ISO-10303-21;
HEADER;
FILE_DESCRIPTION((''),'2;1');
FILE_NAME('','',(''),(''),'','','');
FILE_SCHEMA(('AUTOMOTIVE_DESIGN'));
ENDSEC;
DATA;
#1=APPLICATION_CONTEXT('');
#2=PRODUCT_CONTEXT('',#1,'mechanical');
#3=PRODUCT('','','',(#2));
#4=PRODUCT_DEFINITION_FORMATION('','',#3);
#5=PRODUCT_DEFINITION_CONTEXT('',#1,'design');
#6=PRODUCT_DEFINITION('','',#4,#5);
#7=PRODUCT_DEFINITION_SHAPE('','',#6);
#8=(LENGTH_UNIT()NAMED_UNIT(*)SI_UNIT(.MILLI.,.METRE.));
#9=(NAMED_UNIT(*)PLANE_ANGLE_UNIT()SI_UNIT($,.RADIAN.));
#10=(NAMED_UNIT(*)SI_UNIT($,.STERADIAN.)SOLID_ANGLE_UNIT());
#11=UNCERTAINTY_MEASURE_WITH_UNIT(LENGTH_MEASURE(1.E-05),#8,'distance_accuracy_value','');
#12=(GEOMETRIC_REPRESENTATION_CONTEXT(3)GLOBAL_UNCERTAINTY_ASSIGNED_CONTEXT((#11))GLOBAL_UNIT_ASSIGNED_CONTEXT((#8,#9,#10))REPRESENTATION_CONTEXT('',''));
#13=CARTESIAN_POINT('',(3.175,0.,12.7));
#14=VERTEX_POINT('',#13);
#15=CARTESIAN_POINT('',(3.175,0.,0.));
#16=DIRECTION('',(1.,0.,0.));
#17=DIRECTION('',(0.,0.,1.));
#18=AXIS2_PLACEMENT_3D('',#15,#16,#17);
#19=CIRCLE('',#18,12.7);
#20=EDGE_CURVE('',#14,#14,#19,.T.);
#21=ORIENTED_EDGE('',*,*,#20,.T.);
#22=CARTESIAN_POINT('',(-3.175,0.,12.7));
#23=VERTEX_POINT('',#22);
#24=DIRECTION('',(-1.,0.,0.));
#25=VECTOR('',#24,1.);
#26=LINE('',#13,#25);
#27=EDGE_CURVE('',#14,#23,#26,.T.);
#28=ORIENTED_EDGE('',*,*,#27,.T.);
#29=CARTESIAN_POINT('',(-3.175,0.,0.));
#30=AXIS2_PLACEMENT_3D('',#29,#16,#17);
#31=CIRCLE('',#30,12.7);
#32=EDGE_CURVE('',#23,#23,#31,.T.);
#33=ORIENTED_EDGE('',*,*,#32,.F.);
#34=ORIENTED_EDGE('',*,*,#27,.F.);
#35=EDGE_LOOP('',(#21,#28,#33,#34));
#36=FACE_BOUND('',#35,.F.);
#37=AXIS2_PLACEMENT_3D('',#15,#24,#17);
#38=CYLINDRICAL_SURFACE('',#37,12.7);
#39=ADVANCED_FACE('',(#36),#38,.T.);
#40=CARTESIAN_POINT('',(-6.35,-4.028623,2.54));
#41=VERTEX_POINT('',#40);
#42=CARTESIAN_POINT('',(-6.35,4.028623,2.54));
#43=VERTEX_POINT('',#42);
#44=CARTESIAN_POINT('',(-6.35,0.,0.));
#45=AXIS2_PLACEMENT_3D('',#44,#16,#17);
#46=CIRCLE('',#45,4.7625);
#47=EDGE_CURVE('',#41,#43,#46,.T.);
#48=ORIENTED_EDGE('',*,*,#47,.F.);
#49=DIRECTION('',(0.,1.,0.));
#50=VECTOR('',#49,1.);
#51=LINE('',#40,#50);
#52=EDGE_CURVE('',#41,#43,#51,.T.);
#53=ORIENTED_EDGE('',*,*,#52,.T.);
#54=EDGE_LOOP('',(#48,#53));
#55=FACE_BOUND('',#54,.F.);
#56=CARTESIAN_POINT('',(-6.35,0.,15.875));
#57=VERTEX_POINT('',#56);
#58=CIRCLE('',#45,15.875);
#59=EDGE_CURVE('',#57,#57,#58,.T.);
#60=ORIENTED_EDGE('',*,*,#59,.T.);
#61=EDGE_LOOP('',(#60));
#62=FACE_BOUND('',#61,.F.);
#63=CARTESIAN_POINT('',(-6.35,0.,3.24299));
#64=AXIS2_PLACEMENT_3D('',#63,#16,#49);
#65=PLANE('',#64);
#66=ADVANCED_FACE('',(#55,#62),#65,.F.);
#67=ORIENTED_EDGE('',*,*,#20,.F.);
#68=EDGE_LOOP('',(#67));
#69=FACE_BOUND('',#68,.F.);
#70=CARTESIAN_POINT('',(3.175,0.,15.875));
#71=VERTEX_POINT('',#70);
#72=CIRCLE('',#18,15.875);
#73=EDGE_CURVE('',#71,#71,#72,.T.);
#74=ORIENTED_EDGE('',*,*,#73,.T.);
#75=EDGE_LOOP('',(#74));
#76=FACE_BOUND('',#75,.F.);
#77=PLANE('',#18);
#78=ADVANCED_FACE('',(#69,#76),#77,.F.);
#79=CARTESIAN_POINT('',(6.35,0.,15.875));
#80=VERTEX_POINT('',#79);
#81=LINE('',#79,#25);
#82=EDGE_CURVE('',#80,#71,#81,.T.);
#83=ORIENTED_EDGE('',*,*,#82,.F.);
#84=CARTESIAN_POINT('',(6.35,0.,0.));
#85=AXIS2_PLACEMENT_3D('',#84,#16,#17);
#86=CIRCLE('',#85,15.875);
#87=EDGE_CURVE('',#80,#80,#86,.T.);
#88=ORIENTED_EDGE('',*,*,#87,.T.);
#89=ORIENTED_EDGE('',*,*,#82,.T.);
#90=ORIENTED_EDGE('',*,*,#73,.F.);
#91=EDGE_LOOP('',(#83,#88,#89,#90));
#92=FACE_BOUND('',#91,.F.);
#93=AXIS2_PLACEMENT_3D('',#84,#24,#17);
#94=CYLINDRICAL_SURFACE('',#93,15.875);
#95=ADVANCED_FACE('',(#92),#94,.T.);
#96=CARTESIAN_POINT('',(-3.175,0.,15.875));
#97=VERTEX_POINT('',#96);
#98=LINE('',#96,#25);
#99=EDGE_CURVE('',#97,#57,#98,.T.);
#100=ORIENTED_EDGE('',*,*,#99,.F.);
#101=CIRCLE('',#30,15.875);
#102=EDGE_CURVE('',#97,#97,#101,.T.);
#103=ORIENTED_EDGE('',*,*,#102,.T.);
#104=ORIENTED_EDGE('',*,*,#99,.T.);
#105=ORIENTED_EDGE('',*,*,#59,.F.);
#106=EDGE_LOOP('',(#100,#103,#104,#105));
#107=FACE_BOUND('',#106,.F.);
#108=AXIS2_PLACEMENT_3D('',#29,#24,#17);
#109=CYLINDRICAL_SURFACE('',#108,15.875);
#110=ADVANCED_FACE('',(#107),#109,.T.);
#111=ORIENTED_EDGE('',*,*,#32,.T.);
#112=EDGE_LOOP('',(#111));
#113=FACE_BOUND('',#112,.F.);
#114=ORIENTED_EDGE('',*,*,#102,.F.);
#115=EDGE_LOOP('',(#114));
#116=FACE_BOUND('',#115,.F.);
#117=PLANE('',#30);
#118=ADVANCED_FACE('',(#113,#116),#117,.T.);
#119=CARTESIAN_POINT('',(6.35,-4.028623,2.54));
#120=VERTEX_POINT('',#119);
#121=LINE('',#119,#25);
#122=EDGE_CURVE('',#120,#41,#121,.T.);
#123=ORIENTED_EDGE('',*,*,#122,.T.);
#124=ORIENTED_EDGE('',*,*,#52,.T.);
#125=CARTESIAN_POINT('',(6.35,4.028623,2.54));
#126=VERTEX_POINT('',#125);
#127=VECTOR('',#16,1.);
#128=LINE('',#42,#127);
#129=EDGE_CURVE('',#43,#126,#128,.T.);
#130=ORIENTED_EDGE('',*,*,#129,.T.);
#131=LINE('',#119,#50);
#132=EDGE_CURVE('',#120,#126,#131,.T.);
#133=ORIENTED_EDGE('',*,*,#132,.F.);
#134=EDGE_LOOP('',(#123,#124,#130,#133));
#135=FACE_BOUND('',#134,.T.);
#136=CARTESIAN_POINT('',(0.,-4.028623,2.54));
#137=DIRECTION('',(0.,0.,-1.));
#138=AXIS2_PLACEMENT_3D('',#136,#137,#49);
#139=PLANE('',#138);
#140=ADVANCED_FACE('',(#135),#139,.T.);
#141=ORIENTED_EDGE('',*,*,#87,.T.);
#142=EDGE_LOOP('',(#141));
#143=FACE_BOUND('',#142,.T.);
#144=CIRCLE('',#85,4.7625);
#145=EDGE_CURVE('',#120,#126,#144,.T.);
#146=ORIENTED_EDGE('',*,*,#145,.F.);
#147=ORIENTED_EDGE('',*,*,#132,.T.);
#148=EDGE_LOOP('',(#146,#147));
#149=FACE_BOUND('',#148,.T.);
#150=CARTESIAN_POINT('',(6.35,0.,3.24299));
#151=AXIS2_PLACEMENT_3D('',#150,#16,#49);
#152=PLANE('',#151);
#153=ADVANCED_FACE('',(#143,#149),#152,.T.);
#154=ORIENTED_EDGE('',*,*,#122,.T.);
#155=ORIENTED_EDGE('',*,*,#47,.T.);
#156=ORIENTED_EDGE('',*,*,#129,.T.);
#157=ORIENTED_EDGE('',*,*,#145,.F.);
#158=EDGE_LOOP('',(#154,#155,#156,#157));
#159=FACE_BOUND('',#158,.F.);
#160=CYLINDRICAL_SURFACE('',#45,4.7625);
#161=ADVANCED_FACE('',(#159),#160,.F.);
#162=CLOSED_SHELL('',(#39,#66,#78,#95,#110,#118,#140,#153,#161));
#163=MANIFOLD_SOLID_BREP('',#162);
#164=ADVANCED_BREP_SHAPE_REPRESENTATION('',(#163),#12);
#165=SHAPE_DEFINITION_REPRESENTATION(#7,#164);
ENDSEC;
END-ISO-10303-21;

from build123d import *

# Parameters (mm, degrees)
F3_DEPTH      = 6.35
F3_DEPTH_BACK = 6.35


with BuildPart() as f1:
    # F0 (on Front) → F1 (revolve)
    with BuildSketch(Plane.XZ):
        Polygon((-6.35, 15.875), (-6.35, 4.7625), (6.35, 4.7625), (6.35, 15.875), (3.175, 15.875), (3.175, 12.7), (-3.175, 12.7), (-3.175, 15.875), align=None)
    revolve(axis=Axis((0, 0, 0), (1, 0, 0)))

    # F2 (on Right) → F3 (join, two sides)
    with BuildSketch(Plane.YZ) as f3_sk:
        with BuildLine():
            Line((-4.0286233691, 2.54), (4.0286233691, 2.54))
            ThreePointArc((4.0286233691, 2.54), (0, 4.7625), (-4.0286233691, 2.54))
        make_face()
    extrude(amount=F3_DEPTH)
    extrude(f3_sk.sketch, amount=-F3_DEPTH_BACK)


solid = f1.part
